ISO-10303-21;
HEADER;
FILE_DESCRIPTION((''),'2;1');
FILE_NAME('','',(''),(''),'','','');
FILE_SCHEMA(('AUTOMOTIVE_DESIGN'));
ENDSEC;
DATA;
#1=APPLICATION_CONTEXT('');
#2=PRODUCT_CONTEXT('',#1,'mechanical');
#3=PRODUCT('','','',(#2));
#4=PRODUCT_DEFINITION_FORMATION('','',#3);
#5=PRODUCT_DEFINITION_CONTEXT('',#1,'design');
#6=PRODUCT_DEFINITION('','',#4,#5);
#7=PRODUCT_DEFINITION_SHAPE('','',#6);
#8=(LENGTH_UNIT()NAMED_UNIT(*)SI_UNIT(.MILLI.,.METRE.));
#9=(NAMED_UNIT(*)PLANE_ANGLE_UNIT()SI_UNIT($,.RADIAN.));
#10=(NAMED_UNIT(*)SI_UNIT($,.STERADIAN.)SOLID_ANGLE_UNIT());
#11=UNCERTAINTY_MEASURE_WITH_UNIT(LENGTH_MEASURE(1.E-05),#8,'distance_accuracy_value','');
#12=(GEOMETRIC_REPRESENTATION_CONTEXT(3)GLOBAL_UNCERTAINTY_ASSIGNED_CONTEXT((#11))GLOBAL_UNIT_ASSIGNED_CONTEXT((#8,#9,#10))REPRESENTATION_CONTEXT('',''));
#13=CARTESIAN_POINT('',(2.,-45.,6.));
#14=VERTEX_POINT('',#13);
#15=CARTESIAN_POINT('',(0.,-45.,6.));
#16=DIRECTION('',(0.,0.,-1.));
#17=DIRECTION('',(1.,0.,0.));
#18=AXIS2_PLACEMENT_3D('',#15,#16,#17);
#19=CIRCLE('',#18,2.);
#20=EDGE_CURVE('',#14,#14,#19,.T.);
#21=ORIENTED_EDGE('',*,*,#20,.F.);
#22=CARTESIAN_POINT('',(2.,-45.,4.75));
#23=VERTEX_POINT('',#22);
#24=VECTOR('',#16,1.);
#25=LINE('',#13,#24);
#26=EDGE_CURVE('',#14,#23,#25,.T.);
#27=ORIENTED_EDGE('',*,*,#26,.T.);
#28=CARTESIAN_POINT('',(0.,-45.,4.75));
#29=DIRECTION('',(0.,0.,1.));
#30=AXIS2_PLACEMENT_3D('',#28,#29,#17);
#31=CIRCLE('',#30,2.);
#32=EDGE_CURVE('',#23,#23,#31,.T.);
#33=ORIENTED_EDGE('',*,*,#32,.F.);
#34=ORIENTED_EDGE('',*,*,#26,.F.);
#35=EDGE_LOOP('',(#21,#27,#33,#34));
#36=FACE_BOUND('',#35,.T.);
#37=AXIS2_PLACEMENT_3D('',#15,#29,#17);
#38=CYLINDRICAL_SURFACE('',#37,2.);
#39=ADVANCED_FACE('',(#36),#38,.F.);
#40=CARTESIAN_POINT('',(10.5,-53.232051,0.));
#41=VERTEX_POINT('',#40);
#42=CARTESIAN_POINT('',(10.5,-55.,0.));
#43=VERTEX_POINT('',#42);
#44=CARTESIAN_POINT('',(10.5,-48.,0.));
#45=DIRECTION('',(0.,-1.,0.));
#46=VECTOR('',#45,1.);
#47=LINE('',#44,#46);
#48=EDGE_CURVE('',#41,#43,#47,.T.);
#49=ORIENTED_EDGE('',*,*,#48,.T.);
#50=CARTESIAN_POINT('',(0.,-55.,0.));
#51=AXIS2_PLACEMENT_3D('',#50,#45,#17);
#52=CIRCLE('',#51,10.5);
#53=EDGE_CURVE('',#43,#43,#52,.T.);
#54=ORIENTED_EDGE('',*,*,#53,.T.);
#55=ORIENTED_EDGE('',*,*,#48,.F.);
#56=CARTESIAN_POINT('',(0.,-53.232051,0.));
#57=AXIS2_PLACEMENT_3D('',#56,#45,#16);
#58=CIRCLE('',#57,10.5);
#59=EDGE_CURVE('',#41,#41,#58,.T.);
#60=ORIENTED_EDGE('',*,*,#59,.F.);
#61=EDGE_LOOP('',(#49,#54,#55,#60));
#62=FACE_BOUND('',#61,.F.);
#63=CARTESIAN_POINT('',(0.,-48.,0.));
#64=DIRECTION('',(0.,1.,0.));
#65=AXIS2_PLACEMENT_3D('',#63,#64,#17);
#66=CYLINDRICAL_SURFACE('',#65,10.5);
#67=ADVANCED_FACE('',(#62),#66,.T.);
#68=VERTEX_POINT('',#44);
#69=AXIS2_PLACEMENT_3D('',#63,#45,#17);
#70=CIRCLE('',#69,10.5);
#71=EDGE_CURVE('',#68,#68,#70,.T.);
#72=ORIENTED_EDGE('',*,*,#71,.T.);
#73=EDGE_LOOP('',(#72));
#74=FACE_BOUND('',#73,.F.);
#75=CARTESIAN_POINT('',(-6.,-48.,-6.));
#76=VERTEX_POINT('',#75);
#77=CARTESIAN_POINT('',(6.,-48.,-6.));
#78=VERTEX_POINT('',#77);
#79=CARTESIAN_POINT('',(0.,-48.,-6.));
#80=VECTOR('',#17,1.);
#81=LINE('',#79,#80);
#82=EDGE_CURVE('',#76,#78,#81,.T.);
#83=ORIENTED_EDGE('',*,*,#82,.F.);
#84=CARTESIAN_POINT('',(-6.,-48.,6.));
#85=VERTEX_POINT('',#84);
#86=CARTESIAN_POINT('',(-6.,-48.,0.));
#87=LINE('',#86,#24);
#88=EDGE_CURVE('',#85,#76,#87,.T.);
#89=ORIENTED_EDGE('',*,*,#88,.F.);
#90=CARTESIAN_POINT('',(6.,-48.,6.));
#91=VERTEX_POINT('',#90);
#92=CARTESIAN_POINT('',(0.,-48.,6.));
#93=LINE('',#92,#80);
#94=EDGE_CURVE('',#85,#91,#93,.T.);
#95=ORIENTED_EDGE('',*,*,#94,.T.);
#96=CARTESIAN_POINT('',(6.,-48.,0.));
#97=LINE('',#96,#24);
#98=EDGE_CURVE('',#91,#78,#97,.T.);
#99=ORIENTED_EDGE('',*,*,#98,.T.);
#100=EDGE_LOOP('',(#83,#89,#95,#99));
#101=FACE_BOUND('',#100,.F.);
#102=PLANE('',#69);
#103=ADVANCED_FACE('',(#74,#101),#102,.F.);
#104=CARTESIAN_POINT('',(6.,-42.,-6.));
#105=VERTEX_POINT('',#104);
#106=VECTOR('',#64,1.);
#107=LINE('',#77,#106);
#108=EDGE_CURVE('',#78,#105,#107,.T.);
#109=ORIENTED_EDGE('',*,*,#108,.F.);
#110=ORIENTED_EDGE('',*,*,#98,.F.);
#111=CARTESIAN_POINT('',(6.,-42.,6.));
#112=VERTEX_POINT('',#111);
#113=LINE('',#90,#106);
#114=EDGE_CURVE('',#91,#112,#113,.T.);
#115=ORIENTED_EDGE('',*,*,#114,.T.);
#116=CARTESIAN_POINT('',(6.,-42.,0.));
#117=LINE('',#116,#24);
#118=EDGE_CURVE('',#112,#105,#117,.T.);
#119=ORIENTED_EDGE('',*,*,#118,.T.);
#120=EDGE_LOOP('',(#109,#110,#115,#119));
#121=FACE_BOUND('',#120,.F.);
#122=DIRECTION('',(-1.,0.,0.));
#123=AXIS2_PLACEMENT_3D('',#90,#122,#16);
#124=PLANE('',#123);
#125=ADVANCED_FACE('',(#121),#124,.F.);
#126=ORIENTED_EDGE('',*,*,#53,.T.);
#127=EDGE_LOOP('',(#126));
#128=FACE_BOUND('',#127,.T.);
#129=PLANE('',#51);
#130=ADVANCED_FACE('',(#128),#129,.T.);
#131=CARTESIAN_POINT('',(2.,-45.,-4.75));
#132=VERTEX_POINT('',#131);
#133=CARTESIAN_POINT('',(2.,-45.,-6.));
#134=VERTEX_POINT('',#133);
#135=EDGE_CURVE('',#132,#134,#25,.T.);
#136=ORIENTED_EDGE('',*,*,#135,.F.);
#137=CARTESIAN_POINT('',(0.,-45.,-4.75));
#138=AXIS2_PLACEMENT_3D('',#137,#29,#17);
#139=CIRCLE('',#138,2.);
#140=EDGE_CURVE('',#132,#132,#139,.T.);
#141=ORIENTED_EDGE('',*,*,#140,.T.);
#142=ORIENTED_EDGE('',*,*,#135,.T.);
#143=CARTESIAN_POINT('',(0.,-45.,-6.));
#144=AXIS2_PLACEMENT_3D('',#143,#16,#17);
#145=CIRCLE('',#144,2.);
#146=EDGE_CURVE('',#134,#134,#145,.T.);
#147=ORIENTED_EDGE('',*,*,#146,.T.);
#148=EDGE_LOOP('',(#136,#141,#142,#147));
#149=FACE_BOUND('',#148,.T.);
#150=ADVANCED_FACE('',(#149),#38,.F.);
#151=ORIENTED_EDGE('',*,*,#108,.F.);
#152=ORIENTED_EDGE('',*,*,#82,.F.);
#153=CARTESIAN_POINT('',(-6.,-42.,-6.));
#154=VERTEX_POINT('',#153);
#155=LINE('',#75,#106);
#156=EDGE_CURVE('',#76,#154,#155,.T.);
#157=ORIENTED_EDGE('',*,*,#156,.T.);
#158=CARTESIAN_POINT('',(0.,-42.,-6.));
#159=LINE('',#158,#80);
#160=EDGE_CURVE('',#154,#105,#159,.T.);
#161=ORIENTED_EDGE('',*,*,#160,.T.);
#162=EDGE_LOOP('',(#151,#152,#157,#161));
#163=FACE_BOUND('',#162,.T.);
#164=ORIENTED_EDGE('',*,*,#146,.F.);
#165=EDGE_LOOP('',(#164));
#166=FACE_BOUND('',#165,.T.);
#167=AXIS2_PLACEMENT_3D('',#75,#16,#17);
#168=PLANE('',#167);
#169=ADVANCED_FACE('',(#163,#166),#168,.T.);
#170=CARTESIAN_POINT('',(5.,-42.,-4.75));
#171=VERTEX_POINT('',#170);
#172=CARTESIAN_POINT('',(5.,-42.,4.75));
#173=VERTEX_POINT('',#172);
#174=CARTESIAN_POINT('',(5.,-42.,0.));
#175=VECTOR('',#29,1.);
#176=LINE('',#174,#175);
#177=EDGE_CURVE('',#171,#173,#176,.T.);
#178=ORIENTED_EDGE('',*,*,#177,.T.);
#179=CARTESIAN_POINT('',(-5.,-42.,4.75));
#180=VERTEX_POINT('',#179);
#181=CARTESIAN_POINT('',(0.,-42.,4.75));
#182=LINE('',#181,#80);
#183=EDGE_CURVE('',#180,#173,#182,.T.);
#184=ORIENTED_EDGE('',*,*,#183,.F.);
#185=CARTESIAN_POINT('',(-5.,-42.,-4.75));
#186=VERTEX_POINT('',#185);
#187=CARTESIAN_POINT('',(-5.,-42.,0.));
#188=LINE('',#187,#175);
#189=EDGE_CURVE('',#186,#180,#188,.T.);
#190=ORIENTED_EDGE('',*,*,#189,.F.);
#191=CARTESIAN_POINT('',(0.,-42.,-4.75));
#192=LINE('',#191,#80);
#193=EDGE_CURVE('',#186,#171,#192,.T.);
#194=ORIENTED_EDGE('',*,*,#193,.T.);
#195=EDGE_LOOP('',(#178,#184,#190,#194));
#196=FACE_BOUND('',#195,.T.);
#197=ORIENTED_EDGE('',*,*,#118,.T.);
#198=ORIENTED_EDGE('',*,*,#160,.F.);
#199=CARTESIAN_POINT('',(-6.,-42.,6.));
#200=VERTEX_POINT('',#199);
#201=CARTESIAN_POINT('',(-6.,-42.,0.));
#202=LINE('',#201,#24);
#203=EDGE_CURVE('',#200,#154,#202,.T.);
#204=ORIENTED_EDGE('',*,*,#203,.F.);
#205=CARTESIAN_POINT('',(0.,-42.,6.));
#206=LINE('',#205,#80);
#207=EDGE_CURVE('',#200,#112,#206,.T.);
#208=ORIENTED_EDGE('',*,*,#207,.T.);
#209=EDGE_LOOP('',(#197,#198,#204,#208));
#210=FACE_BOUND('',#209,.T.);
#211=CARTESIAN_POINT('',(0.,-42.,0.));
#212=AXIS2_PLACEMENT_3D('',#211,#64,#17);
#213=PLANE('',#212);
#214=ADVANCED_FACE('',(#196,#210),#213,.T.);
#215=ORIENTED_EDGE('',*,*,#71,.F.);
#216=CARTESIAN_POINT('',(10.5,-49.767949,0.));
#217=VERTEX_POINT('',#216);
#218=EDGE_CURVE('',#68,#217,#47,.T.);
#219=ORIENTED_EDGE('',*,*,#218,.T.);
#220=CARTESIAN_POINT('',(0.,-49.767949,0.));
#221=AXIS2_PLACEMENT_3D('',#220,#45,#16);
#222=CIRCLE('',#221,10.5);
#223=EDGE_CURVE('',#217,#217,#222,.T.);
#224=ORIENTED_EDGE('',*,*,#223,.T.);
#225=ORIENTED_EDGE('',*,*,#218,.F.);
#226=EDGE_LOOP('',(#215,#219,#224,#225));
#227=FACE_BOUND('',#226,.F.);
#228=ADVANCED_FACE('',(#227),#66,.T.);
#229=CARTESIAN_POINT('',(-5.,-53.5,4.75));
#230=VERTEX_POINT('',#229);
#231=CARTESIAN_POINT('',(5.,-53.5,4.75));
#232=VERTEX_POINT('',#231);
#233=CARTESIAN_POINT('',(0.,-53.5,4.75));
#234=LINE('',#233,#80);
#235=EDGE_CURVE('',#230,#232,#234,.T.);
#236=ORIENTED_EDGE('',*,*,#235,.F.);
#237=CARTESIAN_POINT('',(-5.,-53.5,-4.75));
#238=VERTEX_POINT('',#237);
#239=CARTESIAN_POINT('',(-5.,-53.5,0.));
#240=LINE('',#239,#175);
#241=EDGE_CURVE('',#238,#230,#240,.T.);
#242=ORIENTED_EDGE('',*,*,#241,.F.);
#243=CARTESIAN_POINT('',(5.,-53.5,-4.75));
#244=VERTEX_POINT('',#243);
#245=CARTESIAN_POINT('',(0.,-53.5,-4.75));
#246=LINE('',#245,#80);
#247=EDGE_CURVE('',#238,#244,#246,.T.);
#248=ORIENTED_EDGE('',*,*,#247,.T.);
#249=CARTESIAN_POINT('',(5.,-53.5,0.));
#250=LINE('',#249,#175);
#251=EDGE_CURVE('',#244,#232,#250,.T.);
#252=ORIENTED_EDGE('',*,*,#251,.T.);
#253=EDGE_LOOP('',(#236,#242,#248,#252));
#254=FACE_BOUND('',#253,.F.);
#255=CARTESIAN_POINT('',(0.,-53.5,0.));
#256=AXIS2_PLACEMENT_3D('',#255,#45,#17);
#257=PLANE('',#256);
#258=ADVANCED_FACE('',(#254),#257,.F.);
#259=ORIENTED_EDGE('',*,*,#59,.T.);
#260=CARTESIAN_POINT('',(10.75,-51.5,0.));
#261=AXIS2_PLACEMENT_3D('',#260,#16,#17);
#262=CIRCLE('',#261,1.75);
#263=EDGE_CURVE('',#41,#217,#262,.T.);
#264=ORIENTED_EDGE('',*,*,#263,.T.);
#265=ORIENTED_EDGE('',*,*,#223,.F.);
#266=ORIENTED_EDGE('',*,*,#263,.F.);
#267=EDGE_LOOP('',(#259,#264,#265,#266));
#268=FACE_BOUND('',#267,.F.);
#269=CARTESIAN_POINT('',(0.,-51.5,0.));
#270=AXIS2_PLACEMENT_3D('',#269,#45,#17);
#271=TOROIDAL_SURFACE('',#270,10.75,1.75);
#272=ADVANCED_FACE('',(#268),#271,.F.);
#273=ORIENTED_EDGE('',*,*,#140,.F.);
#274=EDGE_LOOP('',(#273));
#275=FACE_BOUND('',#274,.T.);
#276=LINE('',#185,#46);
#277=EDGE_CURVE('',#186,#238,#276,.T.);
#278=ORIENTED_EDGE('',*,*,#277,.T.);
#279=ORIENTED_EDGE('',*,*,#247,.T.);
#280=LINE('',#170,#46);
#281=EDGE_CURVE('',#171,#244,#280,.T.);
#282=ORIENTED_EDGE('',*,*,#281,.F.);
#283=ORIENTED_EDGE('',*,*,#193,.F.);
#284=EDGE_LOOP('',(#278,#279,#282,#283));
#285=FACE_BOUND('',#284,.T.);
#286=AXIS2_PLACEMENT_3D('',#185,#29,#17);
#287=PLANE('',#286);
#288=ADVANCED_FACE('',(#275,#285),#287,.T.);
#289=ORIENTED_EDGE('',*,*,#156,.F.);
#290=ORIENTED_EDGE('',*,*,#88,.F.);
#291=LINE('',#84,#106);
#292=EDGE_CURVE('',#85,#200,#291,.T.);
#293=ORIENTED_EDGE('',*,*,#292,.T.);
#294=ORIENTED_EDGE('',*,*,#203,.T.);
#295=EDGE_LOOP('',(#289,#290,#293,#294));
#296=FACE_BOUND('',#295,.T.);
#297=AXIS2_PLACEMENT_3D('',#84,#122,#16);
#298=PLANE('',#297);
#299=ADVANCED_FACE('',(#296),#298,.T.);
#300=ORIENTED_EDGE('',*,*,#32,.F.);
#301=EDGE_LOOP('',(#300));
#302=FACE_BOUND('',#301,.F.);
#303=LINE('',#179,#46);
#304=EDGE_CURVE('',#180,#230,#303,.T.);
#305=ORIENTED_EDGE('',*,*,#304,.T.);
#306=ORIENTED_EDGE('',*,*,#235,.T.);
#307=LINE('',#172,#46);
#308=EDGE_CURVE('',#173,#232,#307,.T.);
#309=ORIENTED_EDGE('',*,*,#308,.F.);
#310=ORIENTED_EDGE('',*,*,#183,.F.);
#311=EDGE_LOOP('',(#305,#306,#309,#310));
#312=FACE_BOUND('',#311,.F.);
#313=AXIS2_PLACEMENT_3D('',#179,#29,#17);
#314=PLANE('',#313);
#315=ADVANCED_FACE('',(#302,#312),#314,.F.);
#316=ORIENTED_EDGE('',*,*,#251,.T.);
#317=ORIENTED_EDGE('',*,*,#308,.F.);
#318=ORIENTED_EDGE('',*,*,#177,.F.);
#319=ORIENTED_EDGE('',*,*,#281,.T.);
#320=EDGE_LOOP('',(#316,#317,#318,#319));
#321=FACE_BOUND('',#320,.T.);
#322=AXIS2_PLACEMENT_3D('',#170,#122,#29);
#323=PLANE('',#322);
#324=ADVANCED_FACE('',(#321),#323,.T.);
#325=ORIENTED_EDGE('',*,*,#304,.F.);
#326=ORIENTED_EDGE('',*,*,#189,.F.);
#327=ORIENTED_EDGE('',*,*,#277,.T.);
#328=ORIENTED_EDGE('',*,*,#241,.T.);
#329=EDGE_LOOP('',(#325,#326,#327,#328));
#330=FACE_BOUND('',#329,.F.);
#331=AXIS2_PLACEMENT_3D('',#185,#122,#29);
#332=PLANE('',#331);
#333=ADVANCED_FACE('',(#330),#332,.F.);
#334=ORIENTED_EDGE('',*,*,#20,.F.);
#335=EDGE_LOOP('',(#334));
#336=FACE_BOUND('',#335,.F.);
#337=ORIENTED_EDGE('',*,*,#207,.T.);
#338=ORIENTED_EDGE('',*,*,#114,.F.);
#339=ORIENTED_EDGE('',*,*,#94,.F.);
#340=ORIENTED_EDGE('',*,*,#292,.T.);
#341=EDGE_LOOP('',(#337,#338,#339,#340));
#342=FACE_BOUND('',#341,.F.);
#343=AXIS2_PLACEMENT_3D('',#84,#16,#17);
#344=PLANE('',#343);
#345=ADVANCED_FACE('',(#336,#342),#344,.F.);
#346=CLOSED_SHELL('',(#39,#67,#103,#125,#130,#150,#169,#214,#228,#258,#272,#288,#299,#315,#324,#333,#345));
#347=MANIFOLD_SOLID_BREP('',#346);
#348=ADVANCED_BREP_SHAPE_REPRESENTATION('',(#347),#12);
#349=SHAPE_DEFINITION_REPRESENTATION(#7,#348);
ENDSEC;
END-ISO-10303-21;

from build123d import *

# Parameters (mm, degrees)
CYLINDER019_R     = 10.5
CYLINDER019_DEPTH = 7
BOX016_W          = 12
BOX016_H          = 12
BOX016_DEPTH      = 6
BOX017_W          = 10
BOX017_H          = 9.5
BOX017_DEPTH      = 11.5
CYLINDER020_R     = 2
CYLINDER020_DEPTH = 12
TORUS_R           = 1.75


with BuildPart() as part:
    # Cylinder019 → Cylinder019 (join)
    with BuildSketch(Plane.XZ):
        Circle(CYLINDER019_R)
    extrude(amount=CYLINDER019_DEPTH)

    # Box016 → Box016 (join)
    with BuildSketch(Plane(origin=(-6, 0, 6), x_dir=(1, 0, 0), z_dir=(0, 1, 0))):
        with Locations((6, 6)):
            Rectangle(BOX016_W, BOX016_H)
    extrude(amount=BOX016_DEPTH)

    # Box017 → Box017 (cut)
    with BuildSketch(Plane(origin=(-5, 6, -4.75), x_dir=(1, 0, 0), z_dir=(0, -1, 0))):
        with Locations((5, 4.75)):
            Rectangle(BOX017_W, BOX017_H)
    extrude(amount=BOX017_DEPTH, mode=Mode.SUBTRACT)

    # Cylinder020 → Cylinder020 (cut)
    with BuildSketch(Plane(origin=(0, 3, 6), x_dir=(1, 0, 0), z_dir=(0, 0, -1))):
        Circle(CYLINDER020_R)
    extrude(amount=CYLINDER020_DEPTH, mode=Mode.SUBTRACT)

    # Torus → Torus (revolve, cut)
    with BuildSketch(Plane(origin=(0, -3.5, 0), x_dir=(1, 0, 0), z_dir=(0, 0, -1))):
        with Locations((10.75, 0)):
            Circle(TORUS_R)
    revolve(axis=Axis((0, -3.5, 0), (0, -1, 0)), mode=Mode.SUBTRACT)


with BuildPart() as part_1:
    # Body004 placement: moved
    add(part.part.moved(Location((0, -48, 0))))


solid = part_1.part
